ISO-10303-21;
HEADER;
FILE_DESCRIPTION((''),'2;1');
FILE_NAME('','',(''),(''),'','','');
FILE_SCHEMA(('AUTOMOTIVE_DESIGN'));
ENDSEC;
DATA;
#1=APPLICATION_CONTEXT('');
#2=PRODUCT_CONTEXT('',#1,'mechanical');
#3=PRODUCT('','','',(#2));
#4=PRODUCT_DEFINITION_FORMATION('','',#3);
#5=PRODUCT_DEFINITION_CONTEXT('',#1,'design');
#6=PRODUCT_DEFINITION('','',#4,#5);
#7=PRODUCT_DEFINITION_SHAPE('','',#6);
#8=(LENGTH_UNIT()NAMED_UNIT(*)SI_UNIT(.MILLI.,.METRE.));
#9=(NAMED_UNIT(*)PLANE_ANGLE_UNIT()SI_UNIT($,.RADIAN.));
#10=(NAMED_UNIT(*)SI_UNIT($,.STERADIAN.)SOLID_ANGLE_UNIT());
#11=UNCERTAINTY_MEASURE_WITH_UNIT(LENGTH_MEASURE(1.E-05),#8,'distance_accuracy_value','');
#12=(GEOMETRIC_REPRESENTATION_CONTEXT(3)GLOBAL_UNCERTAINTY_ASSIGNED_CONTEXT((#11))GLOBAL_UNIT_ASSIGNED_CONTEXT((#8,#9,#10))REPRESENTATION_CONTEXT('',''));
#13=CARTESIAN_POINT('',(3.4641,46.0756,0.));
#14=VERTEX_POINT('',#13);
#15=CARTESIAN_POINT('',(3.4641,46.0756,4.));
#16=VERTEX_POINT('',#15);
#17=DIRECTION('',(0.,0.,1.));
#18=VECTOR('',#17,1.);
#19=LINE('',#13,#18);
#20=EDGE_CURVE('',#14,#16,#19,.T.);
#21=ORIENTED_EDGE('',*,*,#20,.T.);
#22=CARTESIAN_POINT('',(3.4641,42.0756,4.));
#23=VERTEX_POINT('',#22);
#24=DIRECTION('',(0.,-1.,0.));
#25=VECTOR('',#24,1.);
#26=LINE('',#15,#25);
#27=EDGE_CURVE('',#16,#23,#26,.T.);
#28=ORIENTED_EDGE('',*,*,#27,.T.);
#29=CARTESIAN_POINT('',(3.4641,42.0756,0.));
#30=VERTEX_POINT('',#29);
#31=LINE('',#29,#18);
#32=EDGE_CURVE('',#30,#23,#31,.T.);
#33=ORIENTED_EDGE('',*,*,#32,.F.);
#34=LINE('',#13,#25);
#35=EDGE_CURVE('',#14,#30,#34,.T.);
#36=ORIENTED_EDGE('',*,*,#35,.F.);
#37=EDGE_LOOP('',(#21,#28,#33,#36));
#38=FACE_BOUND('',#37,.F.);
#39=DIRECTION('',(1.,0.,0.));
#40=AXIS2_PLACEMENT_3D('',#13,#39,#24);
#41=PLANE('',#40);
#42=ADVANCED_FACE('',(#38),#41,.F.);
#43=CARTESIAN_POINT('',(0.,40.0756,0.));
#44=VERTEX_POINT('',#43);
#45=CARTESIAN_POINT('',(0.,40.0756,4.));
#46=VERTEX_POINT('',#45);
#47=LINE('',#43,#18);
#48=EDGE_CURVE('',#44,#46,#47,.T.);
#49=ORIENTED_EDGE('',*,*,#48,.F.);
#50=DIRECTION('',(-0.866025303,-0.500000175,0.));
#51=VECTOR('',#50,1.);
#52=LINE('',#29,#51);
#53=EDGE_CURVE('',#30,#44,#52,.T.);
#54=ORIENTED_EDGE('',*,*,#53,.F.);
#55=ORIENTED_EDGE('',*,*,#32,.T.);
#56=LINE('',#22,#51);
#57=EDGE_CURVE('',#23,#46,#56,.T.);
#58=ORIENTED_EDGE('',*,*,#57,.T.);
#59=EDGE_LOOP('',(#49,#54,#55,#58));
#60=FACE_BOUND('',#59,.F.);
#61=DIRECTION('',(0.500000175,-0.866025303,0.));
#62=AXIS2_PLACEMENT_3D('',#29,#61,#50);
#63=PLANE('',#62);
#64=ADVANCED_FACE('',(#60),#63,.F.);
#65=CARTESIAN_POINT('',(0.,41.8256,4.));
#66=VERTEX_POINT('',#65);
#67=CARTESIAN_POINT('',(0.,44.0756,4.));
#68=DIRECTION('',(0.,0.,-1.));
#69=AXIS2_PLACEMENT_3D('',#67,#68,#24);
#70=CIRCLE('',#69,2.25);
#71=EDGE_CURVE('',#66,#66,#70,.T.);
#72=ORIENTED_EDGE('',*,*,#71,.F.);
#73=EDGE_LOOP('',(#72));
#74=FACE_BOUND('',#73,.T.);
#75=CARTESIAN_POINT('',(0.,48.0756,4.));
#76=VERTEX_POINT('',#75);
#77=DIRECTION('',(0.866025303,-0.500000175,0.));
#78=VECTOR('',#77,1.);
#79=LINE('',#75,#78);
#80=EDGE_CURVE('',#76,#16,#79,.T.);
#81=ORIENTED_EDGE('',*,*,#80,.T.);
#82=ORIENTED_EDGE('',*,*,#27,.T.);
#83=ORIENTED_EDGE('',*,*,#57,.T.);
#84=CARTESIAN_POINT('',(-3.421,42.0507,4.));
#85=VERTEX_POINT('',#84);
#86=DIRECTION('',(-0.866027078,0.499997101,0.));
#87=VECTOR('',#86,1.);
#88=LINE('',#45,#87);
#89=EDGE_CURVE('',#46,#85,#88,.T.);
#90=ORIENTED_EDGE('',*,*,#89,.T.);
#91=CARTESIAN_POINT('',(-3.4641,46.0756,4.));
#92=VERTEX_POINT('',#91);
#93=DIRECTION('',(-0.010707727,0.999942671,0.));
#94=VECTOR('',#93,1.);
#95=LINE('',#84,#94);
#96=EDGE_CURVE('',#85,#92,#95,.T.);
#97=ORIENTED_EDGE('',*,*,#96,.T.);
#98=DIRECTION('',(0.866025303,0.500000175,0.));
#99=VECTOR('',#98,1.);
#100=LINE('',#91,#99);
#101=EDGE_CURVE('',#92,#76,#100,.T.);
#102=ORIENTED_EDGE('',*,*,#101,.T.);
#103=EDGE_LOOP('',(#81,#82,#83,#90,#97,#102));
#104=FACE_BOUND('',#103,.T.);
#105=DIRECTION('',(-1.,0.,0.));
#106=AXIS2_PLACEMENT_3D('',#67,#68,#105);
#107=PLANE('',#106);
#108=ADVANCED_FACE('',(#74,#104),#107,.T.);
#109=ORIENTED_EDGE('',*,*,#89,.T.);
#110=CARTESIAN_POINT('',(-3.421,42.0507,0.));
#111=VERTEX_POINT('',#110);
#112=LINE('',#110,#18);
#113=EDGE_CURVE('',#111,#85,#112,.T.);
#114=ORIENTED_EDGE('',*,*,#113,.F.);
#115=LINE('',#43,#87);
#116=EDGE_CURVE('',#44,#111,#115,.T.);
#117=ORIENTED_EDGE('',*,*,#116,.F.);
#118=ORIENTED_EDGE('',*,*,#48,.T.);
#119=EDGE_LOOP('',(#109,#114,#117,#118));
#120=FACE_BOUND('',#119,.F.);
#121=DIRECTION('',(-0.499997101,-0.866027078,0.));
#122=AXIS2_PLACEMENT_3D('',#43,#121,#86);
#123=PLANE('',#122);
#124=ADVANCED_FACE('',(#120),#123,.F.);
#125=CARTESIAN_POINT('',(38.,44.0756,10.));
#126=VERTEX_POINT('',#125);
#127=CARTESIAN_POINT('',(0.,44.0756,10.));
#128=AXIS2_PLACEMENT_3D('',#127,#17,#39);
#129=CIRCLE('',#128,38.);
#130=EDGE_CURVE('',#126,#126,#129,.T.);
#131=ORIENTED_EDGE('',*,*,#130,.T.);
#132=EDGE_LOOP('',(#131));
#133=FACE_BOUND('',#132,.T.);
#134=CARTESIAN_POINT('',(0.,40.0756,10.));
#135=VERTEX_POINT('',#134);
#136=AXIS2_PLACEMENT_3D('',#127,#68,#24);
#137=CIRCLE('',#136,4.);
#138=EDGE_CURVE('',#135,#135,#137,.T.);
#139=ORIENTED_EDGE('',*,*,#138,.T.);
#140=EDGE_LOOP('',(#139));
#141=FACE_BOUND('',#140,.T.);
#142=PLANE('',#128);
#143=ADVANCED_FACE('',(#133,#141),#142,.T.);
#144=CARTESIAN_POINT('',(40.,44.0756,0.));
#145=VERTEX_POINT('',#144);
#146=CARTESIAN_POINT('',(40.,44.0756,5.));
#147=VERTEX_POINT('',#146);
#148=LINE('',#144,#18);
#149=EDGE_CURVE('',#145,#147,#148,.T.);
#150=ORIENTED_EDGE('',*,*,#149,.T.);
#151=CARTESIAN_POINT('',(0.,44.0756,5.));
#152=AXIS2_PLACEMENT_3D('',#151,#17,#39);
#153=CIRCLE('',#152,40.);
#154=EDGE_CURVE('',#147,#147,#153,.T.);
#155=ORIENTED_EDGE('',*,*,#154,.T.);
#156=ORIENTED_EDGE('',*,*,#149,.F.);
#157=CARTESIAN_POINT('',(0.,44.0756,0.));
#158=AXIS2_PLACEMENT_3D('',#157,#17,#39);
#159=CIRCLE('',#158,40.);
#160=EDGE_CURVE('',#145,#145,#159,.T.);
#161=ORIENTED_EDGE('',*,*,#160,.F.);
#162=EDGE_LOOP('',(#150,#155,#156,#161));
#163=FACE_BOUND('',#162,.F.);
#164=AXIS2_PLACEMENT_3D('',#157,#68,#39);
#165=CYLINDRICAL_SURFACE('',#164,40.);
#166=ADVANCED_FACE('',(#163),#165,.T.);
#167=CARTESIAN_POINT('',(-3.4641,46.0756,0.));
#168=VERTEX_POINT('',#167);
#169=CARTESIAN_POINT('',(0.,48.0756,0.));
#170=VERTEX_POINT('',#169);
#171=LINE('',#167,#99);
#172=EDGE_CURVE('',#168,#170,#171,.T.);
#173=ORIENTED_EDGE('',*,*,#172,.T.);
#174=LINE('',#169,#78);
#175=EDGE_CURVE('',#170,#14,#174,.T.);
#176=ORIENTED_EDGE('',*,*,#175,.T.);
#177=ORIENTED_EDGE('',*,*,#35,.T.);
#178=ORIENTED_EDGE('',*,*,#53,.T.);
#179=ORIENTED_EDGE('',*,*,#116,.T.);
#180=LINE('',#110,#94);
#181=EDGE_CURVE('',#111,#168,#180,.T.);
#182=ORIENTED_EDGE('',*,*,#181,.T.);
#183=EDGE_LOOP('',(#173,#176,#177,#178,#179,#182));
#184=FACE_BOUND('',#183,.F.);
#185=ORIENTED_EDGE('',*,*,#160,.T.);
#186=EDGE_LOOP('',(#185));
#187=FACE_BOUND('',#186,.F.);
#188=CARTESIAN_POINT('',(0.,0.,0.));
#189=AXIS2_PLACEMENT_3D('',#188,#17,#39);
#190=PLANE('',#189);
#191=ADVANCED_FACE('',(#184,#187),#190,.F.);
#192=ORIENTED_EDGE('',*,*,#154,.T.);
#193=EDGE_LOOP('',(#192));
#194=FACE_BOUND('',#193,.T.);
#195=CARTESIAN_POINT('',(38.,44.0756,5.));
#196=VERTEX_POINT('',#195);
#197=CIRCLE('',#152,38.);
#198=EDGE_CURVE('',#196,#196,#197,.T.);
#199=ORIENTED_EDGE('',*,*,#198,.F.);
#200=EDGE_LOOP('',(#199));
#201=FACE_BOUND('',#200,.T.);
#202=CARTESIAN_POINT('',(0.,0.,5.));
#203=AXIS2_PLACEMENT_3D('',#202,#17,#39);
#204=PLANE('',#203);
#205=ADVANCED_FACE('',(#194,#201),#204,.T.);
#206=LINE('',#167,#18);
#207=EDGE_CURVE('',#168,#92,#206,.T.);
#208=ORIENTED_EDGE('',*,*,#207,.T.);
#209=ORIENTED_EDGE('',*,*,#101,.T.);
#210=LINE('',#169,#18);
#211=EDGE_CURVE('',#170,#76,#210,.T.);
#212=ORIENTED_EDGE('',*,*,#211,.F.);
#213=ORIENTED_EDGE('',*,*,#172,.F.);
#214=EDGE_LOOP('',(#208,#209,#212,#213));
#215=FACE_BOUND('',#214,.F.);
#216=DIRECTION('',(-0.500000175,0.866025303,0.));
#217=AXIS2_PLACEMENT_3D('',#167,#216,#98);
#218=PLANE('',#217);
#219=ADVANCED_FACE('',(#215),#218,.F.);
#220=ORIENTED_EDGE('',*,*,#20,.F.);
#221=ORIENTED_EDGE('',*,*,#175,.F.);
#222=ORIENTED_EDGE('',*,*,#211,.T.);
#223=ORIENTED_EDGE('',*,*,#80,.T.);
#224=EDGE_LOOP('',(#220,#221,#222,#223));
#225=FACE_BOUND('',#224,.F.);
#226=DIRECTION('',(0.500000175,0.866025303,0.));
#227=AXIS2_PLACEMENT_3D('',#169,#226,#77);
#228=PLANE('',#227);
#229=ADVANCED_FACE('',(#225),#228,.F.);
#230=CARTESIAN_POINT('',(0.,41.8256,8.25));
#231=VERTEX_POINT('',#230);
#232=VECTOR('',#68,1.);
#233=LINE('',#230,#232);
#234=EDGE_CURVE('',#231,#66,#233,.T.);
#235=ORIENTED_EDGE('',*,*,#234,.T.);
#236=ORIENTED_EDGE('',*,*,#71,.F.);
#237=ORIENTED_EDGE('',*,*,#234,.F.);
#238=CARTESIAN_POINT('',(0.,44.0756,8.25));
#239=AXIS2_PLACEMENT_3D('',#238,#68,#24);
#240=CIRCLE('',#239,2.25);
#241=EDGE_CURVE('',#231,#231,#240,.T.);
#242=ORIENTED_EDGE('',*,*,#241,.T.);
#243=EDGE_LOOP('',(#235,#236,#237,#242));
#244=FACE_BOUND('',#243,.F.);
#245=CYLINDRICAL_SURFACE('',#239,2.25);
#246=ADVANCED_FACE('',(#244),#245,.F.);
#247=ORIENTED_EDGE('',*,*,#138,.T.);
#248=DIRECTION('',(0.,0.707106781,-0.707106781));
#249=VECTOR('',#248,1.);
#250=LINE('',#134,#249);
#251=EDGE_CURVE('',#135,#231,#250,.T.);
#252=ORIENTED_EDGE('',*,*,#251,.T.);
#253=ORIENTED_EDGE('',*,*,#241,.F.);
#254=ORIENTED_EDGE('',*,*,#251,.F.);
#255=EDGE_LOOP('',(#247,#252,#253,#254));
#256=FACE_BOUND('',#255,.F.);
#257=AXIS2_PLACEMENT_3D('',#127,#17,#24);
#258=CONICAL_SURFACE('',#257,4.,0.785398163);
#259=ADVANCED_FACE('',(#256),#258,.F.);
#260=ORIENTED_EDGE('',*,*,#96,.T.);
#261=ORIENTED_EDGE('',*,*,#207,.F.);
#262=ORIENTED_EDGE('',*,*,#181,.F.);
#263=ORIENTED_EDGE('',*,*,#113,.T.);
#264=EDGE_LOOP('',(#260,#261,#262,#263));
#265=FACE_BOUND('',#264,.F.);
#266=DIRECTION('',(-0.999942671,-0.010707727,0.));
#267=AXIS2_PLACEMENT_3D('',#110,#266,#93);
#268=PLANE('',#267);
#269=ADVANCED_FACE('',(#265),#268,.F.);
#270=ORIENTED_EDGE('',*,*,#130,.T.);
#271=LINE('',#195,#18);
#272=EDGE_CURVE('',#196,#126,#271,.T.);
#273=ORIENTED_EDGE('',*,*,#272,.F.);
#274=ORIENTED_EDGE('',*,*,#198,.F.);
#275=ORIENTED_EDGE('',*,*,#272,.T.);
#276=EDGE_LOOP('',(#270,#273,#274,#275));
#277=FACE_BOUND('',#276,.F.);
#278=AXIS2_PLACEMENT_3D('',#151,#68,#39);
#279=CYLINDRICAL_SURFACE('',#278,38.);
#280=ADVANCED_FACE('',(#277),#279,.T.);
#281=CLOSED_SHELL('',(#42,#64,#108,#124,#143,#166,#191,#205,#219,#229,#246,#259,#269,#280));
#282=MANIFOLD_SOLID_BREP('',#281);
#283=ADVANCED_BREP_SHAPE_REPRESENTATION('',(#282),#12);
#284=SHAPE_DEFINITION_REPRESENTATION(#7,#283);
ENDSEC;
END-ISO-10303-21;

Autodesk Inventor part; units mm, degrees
ref_plane "YZ Plane" through (0, 0, 0) normal (1, 0, 0) x (0, 1, 0)
ref_plane "XZ Plane" through (0, 0, 0) normal (0, 1, 0) x (-1, 0, 0)
ref_plane "XY Plane" through (0, 0, 0) normal (0, 0, 1) x (1, 0, 0)
sketch "Эскиз1" plane through (0, 0, 0) normal (0, 0, 1) x (1, 0, 0)
  circle A0 centre (0, 44.0756) radius 40
  point P0 (0, 0)
  dimension "d0" = 80
extrude "Выдавливание1" add sketch "Эскиз1" along normal blind 5
sketch "Эскиз2" plane through (0, 44.0756, 0) normal (0, 0, -1) x (-1, 0, 0)
  line L0 (0, 4) -> (-3.4641, 2)
  line L1 (-3.4641, 2) -> (-3.4641, -2)
  line L2 (-3.4641, -2) -> (0, -4)
  line L3 (0, -4) -> (3.421, -2.0249)
  line L4 (3.421, -2.0249) -> (3.4641, 2)
  line L5 (3.4641, 2) -> (0, 4)
  point P0 (0, -44.0756)
  point P1 (0, 0)
extrude "Выдавливание2" cut sketch "Эскиз2" against normal blind 4
sketch "Эскиз3" plane through (0, 44.0756, 5) normal (0, 0, 1) x (1, 0, 0)
  circle A0 centre (0, 0) radius 40 projected
  circle A1 centre (0, 0) radius 38
  point P0 (0, -44.0756)
  dimension "d5" = 2
extrude "Выдавливание3" add sketch "Эскиз3" along normal blind 5 contours A1
sketch "Эскиз5" plane through (0, 44.0756, 10) normal (0, 0, 1) x (1, 0, 0)
  circle A0 centre (0, 0) radius 38 projected
  point P0 (0, -44.0756)
hole "Отверстие1" at (0, 44.0756, 10) direction (0, 0, -1) diameter 4.5 end through all countersink diameter 8 countersink angle 90
properties part number "Cap-01"
